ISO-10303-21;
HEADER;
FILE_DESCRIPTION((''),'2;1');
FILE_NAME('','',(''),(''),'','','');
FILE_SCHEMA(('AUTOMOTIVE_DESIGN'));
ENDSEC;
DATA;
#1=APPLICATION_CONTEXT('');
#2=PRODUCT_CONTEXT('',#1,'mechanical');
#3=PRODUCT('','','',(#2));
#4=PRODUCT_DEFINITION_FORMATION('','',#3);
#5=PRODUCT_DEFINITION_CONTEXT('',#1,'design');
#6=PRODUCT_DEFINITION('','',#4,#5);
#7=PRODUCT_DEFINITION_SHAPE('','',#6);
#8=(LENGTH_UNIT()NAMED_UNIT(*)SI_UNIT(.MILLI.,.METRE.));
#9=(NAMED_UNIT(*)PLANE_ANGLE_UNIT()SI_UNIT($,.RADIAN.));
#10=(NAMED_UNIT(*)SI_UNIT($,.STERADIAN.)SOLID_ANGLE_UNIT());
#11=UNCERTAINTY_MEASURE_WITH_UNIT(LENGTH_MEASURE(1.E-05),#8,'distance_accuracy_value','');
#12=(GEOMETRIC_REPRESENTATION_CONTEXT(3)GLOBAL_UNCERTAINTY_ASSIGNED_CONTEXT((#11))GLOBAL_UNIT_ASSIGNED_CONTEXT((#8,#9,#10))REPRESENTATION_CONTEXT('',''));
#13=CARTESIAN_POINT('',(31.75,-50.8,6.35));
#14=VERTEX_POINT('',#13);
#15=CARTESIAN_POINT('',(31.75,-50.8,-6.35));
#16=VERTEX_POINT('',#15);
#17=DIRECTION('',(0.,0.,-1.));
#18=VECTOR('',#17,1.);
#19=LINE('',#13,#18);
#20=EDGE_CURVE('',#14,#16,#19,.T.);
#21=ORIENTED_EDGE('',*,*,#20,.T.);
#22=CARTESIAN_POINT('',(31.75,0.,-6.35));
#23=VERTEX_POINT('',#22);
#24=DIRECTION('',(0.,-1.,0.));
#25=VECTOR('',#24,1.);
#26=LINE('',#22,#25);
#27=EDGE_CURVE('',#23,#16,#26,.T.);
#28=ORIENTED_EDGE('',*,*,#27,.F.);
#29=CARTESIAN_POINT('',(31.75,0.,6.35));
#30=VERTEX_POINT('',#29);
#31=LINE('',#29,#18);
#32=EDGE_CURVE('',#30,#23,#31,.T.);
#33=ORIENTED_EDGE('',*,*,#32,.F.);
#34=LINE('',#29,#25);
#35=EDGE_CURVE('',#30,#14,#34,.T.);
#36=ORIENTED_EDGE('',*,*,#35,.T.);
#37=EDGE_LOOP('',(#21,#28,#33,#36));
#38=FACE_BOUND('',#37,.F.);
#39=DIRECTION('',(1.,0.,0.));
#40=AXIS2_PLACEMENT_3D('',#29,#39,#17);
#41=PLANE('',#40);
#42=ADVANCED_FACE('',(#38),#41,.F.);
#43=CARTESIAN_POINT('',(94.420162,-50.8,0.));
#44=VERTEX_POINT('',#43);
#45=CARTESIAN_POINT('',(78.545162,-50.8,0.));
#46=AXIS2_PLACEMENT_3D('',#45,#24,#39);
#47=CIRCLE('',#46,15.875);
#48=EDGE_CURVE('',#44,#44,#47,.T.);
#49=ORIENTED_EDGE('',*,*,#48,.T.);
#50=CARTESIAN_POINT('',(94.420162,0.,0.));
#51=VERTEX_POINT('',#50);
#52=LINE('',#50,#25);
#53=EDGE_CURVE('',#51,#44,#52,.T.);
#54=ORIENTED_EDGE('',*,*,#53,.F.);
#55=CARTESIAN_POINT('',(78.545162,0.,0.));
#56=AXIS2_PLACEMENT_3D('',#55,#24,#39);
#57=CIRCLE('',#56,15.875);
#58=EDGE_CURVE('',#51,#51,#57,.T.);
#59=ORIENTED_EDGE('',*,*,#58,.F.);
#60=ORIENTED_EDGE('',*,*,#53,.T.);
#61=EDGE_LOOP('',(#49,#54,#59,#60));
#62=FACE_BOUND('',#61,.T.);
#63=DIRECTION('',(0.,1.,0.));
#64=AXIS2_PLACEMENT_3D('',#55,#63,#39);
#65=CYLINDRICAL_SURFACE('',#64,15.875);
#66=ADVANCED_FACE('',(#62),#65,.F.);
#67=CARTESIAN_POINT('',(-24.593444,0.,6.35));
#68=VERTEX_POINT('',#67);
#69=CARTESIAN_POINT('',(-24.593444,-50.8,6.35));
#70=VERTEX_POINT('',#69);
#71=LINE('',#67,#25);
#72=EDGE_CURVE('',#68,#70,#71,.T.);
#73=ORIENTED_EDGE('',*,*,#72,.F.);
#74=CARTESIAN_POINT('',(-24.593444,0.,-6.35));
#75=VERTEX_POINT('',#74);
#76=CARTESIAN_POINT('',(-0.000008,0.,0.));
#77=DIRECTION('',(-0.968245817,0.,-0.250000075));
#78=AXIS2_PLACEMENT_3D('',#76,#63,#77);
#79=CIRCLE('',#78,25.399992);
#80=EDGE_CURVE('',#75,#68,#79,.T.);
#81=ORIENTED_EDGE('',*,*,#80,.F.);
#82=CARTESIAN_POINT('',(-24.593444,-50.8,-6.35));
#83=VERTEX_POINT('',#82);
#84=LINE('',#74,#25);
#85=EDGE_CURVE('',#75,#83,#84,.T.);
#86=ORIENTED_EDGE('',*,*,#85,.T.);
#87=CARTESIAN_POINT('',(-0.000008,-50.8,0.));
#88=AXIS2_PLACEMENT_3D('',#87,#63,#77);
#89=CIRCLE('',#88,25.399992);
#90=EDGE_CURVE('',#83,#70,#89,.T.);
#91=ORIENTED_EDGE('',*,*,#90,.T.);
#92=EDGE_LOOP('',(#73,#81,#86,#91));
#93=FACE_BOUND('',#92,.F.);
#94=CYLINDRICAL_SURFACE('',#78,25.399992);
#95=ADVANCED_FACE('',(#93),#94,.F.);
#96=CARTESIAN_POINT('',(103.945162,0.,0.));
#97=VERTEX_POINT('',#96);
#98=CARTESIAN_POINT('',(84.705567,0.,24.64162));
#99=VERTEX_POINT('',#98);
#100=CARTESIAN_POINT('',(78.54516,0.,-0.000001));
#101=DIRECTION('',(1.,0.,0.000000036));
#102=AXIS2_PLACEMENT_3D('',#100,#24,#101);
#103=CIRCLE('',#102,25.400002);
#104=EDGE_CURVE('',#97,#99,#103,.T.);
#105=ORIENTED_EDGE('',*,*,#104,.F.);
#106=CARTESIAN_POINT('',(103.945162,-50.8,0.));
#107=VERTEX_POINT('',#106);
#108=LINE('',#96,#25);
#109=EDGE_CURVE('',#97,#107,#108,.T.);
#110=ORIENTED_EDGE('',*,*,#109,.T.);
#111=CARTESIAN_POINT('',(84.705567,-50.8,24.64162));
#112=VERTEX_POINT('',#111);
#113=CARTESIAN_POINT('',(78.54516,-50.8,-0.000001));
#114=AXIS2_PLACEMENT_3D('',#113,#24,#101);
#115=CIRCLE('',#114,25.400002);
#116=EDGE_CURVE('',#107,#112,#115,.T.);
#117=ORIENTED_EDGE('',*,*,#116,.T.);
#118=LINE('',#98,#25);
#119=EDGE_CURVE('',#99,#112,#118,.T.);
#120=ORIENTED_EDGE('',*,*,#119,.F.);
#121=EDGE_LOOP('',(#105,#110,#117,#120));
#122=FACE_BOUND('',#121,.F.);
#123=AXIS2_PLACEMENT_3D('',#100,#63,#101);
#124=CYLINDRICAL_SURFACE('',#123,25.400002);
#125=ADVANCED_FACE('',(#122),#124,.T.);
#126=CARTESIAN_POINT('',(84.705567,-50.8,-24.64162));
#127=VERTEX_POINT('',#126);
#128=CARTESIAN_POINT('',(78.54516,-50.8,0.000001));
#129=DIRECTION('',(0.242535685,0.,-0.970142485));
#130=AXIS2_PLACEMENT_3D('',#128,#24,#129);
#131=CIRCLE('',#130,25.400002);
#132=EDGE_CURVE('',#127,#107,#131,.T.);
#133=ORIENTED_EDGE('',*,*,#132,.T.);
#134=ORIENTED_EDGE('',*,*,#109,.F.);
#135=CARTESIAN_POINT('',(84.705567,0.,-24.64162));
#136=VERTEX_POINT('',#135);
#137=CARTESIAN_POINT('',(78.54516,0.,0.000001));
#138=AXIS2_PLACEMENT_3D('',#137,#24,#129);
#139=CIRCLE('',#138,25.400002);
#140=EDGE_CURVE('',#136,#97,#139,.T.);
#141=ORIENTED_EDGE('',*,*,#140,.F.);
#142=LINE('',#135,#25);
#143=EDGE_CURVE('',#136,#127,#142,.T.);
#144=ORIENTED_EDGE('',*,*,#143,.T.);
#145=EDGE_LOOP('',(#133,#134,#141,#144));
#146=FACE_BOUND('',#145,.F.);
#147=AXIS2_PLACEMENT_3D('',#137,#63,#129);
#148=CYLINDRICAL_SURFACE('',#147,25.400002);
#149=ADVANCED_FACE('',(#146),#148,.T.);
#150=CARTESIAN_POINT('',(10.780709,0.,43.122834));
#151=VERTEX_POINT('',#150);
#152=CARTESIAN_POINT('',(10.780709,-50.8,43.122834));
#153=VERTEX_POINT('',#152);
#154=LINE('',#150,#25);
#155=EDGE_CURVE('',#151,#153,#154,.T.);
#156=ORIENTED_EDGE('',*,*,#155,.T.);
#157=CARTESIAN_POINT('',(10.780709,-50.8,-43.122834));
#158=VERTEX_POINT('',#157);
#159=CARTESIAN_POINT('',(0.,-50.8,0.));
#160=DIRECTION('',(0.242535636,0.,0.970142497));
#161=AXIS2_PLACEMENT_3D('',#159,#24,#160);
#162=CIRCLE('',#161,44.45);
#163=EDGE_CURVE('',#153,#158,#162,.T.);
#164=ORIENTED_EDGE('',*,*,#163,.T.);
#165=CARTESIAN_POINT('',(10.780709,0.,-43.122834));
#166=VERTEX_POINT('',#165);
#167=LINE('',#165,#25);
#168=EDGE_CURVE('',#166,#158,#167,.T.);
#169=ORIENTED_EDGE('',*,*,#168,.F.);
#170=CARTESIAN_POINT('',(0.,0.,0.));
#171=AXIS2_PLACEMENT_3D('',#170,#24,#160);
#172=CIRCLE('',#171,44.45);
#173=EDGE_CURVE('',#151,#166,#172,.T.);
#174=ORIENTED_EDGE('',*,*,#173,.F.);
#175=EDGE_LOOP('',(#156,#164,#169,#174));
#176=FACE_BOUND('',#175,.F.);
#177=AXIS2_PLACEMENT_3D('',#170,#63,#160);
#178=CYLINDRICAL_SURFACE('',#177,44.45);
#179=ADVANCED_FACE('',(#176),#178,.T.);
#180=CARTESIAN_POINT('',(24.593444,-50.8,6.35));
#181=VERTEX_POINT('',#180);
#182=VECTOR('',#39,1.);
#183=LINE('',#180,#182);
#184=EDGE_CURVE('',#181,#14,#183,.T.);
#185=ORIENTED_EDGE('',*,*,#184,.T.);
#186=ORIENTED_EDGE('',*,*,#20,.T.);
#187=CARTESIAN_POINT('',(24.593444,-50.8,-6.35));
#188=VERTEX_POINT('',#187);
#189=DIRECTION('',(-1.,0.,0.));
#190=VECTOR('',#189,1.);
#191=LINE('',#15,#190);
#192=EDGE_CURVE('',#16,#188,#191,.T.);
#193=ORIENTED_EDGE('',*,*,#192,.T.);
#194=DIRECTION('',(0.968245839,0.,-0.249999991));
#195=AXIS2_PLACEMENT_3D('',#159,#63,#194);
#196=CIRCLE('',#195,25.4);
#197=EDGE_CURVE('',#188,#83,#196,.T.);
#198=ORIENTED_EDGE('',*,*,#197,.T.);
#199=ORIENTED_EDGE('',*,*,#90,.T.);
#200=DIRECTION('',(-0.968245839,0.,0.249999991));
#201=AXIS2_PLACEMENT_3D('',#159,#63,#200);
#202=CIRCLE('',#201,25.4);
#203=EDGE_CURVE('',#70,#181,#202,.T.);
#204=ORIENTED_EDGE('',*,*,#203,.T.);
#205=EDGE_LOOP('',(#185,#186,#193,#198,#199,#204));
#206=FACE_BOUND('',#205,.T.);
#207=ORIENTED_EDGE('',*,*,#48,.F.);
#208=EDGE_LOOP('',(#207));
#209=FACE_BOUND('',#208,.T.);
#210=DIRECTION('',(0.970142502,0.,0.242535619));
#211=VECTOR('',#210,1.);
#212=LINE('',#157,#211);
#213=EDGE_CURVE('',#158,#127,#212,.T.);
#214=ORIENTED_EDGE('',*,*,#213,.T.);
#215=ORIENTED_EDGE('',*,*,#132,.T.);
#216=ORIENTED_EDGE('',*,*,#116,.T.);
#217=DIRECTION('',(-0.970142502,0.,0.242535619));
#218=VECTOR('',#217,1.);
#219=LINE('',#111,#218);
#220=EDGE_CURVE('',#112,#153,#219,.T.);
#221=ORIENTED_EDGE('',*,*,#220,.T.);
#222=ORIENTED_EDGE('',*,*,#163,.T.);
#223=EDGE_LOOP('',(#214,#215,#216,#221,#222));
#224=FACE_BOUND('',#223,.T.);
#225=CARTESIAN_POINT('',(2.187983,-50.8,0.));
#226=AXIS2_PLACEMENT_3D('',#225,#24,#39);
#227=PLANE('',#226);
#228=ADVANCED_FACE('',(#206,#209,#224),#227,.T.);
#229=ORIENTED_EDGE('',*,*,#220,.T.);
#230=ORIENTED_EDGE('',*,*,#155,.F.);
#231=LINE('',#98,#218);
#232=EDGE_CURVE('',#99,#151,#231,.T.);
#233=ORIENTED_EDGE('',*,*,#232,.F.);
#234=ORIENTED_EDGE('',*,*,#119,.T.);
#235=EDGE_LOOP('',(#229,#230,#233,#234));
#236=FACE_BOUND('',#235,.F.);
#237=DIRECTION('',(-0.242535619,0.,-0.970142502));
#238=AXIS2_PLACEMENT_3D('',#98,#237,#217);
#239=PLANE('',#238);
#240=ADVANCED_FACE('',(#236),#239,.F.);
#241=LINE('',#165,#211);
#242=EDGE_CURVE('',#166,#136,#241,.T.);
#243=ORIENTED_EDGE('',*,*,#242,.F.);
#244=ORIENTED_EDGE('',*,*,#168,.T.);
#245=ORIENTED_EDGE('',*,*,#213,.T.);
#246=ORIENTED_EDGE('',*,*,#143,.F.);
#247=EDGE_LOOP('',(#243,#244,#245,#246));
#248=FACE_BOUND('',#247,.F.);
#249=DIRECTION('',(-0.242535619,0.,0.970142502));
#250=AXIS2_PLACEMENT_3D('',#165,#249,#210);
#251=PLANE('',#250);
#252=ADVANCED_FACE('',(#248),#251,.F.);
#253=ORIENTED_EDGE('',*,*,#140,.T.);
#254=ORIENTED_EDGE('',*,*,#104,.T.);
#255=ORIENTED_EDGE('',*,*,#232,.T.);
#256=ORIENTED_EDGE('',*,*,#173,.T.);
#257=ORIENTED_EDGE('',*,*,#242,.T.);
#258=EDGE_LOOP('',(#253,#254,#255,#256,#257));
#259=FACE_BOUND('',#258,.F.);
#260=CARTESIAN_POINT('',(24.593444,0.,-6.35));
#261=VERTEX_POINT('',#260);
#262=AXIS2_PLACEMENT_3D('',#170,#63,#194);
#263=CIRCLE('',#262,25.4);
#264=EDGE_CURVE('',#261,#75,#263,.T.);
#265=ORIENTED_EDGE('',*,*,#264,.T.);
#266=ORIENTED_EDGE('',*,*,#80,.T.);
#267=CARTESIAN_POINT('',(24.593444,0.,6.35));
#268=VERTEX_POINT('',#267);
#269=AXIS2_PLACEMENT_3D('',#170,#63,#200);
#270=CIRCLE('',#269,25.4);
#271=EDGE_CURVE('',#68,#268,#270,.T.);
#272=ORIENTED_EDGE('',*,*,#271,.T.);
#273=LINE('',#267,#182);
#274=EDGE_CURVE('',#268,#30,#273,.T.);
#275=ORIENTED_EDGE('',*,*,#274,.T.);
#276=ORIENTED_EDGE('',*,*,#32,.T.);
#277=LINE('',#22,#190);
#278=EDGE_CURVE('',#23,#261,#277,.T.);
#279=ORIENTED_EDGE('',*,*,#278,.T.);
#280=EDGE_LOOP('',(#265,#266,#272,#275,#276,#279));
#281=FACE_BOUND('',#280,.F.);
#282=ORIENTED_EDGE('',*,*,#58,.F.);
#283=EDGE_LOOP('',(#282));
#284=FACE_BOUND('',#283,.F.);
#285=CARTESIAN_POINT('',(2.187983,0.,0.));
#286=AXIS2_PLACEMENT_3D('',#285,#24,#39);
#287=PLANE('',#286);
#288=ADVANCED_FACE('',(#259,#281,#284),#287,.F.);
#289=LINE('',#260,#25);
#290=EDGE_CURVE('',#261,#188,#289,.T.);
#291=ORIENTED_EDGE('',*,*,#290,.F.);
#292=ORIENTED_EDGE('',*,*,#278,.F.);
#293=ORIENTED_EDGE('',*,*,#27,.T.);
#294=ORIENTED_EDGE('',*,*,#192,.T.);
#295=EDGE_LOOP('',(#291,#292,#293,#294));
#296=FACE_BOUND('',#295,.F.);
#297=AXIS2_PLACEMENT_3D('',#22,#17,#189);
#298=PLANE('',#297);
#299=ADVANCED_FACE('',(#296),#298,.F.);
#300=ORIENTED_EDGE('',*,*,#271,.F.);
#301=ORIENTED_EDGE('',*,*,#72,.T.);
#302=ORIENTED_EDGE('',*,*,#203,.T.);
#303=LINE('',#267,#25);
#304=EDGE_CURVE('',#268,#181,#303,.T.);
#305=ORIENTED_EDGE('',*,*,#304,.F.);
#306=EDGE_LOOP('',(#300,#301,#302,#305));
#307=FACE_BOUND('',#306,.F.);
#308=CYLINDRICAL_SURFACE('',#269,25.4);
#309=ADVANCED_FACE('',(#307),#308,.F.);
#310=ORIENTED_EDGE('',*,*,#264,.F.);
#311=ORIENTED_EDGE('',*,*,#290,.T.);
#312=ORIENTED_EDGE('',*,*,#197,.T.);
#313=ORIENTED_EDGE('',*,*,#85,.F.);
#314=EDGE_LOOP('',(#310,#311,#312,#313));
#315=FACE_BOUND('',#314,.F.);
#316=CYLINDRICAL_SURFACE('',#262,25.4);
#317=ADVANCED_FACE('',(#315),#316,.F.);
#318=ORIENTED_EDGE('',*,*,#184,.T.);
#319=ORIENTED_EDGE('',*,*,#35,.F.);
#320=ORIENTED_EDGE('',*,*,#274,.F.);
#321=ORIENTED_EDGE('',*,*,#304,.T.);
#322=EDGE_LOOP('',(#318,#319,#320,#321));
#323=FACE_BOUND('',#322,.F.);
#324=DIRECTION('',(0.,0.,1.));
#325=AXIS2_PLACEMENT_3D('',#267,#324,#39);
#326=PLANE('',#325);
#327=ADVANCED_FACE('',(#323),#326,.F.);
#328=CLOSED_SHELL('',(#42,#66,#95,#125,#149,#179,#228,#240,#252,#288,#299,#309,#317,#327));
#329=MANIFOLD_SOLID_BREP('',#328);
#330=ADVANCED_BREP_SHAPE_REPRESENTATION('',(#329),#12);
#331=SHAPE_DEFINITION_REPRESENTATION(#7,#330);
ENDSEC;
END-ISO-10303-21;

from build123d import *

# Parameters (mm, degrees)
F0_R     = 15.875
F1_DEPTH = 50.8


with BuildPart() as f1:
    # F0 (on Front) → F1 (new body)
    with BuildSketch(Plane.XZ):
        with BuildLine():
            ThreePointArc((10.780709, -43.122834), (35.035732, -27.355073), (44.45, 0))
            ThreePointArc((44.45, 0), (35.035732, 27.355073), (10.780709, 43.122834))
            ThreePointArc((10.780709, 43.122834), (-44.45, 0), (10.780709, -43.122834))
        make_face()
        with BuildLine():
            ThreePointArc((-24.593444, 6.35), (0, 25.4), (24.593444, 6.35))
            Line((24.593444, 6.35), (31.75, 6.35))
            Line((31.75, 6.35), (31.75, -6.35))
            Line((31.75, -6.35), (24.593444, -6.35))
            ThreePointArc((24.593444, -6.35), (0, -25.4), (-24.593444, -6.35))
            Line((-24.593444, -6.35), (-31.75, -6.35))
            Line((-31.75, -6.35), (-31.75, 6.35))
            Line((-31.75, 6.35), (-24.593444, 6.35))
        make_face(mode=Mode.SUBTRACT)
        with BuildLine():
            ThreePointArc((10.780709, 43.122834), (35.035732, 27.355073), (44.45, 0))
            ThreePointArc((44.45, 0), (35.035732, -27.355073), (10.780709, -43.122834))
            Line((10.780709, -43.122834), (84.705567, -24.64162))
            ThreePointArc((84.705567, -24.64162), (53.145162, 0), (84.705567, 24.64162))
            Line((84.705567, 24.64162), (10.780709, 43.122834))
        make_face()
        with BuildLine():
            ThreePointArc((103.945162, 0), (98.56558, 15.63147), (84.705567, 24.64162))
            ThreePointArc((84.705567, 24.64162), (53.145162, 0), (84.705567, -24.64162))
            ThreePointArc((84.705567, -24.64162), (98.56558, -15.63147), (103.945162, 0))
        make_face()
        with Locations((78.545162, 0)):
            Circle(F0_R, mode=Mode.SUBTRACT)
        with BuildLine():
            ThreePointArc((-24.593444, -6.35), (-25.4, 0), (-24.593444, 6.35))
            Line((-24.593444, 6.35), (-31.75, 6.35))
            Line((-31.75, 6.35), (-31.75, -6.35))
            Line((-31.75, -6.35), (-24.593444, -6.35))
        make_face()
    extrude(amount=F1_DEPTH)


solid = f1.part
